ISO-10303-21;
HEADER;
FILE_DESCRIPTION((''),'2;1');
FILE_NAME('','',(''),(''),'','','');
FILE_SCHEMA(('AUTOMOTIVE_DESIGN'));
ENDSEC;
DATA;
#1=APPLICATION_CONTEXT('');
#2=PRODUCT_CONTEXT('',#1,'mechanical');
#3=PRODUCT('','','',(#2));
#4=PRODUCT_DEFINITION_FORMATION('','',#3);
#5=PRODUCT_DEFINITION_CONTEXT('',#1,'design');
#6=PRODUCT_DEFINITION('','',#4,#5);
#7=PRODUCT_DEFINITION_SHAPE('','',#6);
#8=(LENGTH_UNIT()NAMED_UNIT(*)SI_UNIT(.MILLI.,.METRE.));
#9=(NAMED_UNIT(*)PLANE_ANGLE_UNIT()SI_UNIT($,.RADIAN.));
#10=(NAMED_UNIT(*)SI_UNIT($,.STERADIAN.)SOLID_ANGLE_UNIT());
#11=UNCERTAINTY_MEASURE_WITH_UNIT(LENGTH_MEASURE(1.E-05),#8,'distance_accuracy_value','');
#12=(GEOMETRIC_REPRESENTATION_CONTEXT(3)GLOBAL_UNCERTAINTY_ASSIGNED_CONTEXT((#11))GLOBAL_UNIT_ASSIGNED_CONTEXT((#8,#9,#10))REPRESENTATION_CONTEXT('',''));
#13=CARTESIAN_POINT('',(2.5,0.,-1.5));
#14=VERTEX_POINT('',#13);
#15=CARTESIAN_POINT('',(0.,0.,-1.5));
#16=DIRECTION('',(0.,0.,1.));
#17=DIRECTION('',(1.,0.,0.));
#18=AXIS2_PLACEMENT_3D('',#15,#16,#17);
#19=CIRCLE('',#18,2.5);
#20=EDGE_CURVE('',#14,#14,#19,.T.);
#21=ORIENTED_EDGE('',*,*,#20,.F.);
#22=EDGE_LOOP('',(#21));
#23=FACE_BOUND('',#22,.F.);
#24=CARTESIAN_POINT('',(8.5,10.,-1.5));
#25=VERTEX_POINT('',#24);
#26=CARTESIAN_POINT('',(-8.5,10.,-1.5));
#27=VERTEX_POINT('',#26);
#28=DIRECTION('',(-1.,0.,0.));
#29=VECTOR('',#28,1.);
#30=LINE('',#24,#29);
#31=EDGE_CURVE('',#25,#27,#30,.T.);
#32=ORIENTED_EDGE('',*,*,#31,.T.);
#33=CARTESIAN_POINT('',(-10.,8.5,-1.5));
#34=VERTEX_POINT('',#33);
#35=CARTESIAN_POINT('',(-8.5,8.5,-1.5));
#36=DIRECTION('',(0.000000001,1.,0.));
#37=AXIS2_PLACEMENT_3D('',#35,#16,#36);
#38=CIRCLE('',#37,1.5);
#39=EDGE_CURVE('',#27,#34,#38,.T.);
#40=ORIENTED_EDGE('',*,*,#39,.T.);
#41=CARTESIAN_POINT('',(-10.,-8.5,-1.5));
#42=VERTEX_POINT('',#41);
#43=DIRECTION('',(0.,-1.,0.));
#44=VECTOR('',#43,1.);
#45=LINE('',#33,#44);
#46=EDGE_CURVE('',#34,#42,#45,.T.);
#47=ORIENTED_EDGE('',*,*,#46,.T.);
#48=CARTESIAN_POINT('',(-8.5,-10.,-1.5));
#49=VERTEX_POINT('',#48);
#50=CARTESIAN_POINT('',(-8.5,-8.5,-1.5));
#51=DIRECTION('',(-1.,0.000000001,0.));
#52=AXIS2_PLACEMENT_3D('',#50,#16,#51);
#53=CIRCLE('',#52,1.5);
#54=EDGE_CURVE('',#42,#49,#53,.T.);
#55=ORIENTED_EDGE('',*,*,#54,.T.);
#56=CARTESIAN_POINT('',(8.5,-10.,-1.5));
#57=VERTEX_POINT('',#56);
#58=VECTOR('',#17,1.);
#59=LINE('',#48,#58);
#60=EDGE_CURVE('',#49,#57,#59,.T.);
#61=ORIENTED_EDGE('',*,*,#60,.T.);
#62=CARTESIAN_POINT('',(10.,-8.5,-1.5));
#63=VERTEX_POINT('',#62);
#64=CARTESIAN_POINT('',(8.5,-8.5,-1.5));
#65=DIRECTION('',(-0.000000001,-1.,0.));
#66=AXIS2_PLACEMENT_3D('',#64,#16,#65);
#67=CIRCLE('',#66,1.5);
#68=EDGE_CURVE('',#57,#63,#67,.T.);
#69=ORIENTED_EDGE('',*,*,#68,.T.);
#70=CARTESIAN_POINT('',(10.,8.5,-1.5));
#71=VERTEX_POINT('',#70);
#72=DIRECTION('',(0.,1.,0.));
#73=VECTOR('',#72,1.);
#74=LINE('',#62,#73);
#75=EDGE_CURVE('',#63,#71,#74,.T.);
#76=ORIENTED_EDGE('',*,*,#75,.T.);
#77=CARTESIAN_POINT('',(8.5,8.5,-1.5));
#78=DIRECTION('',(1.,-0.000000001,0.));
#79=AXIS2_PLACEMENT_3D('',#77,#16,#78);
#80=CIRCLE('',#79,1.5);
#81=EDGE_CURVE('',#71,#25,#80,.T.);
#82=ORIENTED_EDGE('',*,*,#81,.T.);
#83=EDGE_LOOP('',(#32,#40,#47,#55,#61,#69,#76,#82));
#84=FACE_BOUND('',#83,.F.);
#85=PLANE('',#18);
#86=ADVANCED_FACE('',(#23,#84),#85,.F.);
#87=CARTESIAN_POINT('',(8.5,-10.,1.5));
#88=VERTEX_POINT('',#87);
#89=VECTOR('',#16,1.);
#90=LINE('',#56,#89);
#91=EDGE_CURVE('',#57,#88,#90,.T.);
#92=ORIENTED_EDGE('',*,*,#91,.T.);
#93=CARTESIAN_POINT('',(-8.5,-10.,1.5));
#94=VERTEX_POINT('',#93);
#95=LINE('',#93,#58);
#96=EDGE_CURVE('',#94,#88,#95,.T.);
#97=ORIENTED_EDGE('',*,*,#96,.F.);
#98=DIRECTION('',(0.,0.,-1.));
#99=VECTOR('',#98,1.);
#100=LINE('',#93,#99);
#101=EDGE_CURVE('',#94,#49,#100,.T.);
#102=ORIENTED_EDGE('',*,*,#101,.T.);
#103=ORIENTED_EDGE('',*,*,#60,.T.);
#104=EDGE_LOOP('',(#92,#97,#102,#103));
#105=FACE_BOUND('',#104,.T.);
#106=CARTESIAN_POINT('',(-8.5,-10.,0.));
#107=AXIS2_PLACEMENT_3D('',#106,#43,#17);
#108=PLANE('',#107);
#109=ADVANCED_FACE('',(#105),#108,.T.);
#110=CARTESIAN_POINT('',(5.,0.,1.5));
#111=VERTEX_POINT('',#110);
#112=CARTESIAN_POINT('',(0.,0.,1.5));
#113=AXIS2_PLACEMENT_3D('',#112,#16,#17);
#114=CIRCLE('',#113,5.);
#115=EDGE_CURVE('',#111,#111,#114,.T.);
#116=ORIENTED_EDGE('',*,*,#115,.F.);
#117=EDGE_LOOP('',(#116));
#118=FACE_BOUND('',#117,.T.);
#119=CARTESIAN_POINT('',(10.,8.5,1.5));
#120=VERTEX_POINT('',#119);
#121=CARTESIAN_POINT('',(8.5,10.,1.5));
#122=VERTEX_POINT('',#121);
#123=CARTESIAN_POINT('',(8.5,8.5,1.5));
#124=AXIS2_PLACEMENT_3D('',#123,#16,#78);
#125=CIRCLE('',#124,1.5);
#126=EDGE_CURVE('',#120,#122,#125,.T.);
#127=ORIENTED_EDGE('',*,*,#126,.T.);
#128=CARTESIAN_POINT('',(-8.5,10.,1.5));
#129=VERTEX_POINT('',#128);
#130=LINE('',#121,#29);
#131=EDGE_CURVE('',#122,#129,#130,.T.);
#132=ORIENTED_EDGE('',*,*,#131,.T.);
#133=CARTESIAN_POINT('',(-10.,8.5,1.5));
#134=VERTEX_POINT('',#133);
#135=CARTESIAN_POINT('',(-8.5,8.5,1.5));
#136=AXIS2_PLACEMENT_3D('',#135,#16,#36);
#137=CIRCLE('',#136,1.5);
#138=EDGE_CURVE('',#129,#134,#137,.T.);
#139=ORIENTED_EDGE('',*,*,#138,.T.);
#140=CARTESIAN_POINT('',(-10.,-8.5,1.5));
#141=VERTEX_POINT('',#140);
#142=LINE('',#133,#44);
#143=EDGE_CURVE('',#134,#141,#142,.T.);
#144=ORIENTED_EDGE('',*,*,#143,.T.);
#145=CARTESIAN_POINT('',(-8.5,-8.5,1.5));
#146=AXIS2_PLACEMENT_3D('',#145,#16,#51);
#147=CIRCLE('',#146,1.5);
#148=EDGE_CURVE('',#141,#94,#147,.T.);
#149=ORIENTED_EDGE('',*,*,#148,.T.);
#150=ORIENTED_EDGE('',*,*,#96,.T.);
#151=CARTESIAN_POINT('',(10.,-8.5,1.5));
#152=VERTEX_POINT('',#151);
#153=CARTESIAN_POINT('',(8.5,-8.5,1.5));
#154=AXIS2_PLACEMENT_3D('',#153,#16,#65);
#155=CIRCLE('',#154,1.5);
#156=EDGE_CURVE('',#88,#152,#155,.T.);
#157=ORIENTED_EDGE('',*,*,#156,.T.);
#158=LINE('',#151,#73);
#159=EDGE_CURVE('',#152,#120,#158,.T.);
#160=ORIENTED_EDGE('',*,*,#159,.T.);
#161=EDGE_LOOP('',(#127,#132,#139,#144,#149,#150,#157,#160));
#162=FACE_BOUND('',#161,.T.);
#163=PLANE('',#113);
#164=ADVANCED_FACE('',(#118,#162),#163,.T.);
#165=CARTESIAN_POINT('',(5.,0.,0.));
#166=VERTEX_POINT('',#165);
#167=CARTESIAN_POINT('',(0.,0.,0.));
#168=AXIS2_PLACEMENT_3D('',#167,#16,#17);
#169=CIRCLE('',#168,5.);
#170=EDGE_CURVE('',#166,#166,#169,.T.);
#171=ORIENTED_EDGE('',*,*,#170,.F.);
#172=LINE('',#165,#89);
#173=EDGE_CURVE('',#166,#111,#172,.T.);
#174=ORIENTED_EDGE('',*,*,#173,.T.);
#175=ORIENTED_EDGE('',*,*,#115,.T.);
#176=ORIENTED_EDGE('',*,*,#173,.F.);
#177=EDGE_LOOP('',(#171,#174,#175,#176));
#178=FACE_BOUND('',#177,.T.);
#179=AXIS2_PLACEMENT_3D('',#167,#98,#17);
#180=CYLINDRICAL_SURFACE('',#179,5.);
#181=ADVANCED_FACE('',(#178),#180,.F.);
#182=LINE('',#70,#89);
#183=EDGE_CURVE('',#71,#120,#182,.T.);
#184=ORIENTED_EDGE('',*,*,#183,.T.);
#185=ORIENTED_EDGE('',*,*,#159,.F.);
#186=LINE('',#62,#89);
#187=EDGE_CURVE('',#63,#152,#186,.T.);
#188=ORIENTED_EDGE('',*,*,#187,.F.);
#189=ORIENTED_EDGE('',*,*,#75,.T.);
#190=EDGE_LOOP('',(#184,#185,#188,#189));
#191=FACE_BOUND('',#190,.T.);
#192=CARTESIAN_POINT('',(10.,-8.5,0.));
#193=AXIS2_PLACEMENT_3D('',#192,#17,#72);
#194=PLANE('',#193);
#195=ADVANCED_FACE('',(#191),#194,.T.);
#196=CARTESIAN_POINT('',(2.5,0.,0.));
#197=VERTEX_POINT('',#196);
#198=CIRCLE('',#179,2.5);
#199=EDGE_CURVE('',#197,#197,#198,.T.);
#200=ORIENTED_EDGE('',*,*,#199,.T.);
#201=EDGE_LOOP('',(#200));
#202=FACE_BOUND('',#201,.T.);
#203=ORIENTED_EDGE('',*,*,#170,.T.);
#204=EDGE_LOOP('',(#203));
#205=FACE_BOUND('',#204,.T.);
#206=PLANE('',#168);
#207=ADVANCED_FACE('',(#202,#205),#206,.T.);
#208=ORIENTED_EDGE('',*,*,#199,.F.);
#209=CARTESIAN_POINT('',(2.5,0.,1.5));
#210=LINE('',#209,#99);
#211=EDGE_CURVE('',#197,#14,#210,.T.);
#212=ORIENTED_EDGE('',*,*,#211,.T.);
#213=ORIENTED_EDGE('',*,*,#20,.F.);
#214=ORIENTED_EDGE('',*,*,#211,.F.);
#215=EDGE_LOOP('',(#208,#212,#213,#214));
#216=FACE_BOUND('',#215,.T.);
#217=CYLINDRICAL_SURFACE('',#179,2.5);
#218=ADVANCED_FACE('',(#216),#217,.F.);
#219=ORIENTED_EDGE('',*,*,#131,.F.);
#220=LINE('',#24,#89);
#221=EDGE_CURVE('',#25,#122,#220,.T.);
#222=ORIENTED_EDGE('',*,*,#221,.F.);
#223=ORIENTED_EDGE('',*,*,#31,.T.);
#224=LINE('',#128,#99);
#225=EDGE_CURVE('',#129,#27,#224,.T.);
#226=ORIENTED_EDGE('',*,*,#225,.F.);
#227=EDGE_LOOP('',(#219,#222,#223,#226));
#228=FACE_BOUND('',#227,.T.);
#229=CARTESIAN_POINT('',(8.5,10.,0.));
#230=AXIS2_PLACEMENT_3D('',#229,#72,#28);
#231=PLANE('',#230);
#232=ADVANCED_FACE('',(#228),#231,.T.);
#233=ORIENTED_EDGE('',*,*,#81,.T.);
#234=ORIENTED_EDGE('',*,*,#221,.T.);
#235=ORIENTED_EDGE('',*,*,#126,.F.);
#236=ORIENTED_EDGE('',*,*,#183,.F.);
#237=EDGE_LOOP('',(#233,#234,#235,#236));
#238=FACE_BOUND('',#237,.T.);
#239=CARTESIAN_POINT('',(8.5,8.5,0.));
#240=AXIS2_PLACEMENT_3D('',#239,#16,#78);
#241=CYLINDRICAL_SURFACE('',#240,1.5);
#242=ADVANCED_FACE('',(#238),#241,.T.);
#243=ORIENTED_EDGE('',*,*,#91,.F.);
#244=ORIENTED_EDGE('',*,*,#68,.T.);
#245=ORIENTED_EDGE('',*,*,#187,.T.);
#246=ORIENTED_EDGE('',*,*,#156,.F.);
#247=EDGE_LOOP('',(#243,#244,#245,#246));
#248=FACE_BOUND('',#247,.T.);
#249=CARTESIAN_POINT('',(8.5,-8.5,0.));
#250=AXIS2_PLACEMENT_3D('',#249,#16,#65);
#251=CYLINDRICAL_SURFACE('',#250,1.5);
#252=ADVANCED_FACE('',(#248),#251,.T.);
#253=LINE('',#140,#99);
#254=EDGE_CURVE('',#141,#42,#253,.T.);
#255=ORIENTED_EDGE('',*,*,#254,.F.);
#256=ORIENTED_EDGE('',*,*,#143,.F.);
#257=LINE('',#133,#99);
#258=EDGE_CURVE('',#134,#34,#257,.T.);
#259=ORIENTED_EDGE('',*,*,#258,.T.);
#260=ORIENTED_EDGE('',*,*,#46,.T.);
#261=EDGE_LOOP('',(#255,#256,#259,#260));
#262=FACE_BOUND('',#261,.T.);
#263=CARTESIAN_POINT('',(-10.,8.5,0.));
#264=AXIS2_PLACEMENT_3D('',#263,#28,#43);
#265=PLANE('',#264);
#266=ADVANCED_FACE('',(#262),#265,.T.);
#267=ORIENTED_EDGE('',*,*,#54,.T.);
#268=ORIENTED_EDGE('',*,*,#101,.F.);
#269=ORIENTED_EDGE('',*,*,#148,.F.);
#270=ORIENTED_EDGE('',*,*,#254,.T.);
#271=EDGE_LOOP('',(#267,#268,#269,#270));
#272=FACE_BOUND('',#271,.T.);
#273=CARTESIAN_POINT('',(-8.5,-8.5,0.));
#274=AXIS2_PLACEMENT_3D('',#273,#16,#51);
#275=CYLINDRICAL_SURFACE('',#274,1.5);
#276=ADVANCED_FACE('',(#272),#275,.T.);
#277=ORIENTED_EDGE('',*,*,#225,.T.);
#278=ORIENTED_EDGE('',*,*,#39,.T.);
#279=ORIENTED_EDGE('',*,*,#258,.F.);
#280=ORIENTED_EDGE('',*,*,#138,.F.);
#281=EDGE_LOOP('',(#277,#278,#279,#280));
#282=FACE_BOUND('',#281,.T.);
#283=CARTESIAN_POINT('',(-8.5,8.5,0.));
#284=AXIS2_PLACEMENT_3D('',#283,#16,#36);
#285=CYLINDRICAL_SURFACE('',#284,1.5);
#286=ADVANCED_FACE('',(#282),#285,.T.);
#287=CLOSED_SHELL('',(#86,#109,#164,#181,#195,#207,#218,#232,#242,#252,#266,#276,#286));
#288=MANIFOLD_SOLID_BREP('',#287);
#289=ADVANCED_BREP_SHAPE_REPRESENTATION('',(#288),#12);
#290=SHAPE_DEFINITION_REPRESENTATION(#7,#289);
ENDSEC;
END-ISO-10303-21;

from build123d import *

# Parameters (mm, degrees)
ESQUISSE1_R             = 2.5
BOSS_EXTRU_1_DEPTH      = 1.5
ENL_V_START             = -1.5
ESQUISSE2_R             = 5
ENL_V_MAT_EXTRU_1_DEPTH = 1.5


with BuildPart() as part:
    # Esquisse1 → Boss.-Extru.1 (new body, symmetric)
    with BuildSketch(Plane.XY):
        with BuildLine():
            Line((-8.5, -10), (8.5, -10))
            ThreePointArc((8.5, -10), (9.560660172, -9.560660172), (10, -8.5))
            Line((10, -8.5), (10, 8.5))
            ThreePointArc((10, 8.5), (9.560660172, 9.560660172), (8.5, 10))
            Line((8.5, 10), (-8.5, 10))
            ThreePointArc((-8.5, 10), (-9.560660172, 9.560660172), (-10, 8.5))
            Line((-10, 8.5), (-10, -8.5))
            ThreePointArc((-10, -8.5), (-9.560660172, -9.560660172), (-8.5, -10))
        make_face()
        Circle(ESQUISSE1_R, mode=Mode.SUBTRACT)
    extrude(amount=BOSS_EXTRU_1_DEPTH, both=True)

    # Esquisse2 → Enlèv. mat.-Extru.1 (cut)
    with BuildSketch(Plane.XY.offset(1.5).offset(ENL_V_START)):
        Circle(ESQUISSE2_R)
    extrude(amount=ENL_V_MAT_EXTRU_1_DEPTH, mode=Mode.SUBTRACT)


solid = part.part
